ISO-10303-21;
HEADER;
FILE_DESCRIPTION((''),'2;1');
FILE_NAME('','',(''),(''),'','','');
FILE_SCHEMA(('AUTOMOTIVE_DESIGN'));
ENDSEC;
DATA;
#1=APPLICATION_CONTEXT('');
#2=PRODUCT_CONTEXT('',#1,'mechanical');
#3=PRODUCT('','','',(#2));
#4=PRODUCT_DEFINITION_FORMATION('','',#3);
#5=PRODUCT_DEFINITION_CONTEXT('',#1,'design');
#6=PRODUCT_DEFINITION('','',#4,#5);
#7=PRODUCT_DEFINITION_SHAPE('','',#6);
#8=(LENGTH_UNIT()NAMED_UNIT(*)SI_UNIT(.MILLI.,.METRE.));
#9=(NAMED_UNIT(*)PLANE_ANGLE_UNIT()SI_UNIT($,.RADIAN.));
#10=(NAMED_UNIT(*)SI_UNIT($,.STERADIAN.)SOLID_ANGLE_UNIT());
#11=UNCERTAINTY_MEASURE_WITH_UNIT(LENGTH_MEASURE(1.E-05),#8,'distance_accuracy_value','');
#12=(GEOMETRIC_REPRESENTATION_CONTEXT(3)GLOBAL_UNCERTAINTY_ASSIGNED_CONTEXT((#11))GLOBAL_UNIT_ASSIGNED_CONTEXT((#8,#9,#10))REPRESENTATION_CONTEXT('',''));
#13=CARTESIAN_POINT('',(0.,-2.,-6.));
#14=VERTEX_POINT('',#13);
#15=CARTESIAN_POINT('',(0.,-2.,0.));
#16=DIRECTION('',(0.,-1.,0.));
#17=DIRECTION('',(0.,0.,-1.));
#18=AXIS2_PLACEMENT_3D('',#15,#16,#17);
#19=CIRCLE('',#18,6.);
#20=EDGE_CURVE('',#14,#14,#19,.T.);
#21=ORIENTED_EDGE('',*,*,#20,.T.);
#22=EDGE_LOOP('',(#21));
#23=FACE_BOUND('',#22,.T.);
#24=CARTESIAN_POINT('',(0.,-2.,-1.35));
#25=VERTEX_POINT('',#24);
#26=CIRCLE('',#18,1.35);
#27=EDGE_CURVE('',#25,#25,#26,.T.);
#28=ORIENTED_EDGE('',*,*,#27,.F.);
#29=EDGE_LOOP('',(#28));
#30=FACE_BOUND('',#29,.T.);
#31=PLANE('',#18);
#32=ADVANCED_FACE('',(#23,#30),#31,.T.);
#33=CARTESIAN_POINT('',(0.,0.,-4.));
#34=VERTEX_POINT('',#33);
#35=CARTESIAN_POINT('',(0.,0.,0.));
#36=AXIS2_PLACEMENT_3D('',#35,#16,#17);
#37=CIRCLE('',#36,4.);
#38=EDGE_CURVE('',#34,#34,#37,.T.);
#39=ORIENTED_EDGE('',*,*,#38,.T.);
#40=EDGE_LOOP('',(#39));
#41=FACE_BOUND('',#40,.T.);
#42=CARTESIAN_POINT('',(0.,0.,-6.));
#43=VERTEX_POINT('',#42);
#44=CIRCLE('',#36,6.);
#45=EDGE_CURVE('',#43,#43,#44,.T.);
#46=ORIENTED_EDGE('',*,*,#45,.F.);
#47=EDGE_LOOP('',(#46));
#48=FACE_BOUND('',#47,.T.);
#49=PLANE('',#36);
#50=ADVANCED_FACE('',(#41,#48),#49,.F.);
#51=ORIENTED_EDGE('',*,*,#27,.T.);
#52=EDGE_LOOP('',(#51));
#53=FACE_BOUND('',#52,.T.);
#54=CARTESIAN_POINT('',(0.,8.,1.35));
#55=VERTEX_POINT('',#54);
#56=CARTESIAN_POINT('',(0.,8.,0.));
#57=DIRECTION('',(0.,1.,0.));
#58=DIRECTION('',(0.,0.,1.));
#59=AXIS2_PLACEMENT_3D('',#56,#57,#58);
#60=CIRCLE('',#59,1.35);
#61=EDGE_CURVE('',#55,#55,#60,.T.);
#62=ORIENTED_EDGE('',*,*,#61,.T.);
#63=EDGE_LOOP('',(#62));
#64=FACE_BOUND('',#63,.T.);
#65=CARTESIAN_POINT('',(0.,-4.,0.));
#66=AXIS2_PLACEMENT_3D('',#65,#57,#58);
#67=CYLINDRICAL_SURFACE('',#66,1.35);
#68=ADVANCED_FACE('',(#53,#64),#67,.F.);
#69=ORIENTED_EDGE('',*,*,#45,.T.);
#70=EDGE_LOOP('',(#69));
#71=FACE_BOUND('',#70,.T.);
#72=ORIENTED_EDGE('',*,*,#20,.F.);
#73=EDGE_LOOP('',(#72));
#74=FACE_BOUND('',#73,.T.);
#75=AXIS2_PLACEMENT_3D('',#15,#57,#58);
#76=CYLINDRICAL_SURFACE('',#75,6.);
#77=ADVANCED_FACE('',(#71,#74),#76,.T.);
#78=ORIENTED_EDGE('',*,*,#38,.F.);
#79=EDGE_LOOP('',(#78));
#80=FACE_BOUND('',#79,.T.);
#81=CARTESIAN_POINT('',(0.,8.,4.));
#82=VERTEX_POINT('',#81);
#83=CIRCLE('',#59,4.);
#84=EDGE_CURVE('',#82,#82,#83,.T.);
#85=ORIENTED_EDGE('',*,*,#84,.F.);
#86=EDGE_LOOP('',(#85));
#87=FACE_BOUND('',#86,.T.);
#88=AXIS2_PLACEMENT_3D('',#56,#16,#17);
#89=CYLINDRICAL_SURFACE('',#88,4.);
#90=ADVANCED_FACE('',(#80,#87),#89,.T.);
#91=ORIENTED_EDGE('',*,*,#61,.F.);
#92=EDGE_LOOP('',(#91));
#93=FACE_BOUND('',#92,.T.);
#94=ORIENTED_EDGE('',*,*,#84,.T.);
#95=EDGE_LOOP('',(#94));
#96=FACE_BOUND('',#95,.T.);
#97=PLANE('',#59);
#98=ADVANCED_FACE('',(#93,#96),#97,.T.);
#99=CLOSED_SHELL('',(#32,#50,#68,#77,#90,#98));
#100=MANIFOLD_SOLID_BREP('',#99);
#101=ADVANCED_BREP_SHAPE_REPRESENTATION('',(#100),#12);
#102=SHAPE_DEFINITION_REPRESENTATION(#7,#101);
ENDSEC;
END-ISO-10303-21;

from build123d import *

# Parameters (mm, degrees)
SKETCH_1_R          = 4
EXTRUDE_1_DEPTH     = 8
SKETCH_3_R          = 6
EXTRUDE_2_DEPTH     = 2
SKETCH_2_R          = 1.35
CUT_EXTRUDE_1_DEPTH = 12


with BuildPart() as part:
    # 스케치1 → 보스-돌출1 (new body)
    with BuildSketch(Plane(origin=(0, 0, 0), x_dir=(1, 0, 0), z_dir=(0, 1, 0))):
        Circle(SKETCH_1_R)
    extrude(amount=EXTRUDE_1_DEPTH)

    # 스케치3 → 보스-돌출2 (add)
    with BuildSketch(Plane.XZ):
        Circle(SKETCH_3_R)
    extrude(amount=EXTRUDE_2_DEPTH)

    # 스케치2 → 컷-돌출1 (cut)
    with BuildSketch(Plane(origin=(0, 8, 0), x_dir=(1, 0, 0), z_dir=(0, 1, 0))):
        Circle(SKETCH_2_R)
    extrude(amount=-CUT_EXTRUDE_1_DEPTH, mode=Mode.SUBTRACT)


solid = part.part
